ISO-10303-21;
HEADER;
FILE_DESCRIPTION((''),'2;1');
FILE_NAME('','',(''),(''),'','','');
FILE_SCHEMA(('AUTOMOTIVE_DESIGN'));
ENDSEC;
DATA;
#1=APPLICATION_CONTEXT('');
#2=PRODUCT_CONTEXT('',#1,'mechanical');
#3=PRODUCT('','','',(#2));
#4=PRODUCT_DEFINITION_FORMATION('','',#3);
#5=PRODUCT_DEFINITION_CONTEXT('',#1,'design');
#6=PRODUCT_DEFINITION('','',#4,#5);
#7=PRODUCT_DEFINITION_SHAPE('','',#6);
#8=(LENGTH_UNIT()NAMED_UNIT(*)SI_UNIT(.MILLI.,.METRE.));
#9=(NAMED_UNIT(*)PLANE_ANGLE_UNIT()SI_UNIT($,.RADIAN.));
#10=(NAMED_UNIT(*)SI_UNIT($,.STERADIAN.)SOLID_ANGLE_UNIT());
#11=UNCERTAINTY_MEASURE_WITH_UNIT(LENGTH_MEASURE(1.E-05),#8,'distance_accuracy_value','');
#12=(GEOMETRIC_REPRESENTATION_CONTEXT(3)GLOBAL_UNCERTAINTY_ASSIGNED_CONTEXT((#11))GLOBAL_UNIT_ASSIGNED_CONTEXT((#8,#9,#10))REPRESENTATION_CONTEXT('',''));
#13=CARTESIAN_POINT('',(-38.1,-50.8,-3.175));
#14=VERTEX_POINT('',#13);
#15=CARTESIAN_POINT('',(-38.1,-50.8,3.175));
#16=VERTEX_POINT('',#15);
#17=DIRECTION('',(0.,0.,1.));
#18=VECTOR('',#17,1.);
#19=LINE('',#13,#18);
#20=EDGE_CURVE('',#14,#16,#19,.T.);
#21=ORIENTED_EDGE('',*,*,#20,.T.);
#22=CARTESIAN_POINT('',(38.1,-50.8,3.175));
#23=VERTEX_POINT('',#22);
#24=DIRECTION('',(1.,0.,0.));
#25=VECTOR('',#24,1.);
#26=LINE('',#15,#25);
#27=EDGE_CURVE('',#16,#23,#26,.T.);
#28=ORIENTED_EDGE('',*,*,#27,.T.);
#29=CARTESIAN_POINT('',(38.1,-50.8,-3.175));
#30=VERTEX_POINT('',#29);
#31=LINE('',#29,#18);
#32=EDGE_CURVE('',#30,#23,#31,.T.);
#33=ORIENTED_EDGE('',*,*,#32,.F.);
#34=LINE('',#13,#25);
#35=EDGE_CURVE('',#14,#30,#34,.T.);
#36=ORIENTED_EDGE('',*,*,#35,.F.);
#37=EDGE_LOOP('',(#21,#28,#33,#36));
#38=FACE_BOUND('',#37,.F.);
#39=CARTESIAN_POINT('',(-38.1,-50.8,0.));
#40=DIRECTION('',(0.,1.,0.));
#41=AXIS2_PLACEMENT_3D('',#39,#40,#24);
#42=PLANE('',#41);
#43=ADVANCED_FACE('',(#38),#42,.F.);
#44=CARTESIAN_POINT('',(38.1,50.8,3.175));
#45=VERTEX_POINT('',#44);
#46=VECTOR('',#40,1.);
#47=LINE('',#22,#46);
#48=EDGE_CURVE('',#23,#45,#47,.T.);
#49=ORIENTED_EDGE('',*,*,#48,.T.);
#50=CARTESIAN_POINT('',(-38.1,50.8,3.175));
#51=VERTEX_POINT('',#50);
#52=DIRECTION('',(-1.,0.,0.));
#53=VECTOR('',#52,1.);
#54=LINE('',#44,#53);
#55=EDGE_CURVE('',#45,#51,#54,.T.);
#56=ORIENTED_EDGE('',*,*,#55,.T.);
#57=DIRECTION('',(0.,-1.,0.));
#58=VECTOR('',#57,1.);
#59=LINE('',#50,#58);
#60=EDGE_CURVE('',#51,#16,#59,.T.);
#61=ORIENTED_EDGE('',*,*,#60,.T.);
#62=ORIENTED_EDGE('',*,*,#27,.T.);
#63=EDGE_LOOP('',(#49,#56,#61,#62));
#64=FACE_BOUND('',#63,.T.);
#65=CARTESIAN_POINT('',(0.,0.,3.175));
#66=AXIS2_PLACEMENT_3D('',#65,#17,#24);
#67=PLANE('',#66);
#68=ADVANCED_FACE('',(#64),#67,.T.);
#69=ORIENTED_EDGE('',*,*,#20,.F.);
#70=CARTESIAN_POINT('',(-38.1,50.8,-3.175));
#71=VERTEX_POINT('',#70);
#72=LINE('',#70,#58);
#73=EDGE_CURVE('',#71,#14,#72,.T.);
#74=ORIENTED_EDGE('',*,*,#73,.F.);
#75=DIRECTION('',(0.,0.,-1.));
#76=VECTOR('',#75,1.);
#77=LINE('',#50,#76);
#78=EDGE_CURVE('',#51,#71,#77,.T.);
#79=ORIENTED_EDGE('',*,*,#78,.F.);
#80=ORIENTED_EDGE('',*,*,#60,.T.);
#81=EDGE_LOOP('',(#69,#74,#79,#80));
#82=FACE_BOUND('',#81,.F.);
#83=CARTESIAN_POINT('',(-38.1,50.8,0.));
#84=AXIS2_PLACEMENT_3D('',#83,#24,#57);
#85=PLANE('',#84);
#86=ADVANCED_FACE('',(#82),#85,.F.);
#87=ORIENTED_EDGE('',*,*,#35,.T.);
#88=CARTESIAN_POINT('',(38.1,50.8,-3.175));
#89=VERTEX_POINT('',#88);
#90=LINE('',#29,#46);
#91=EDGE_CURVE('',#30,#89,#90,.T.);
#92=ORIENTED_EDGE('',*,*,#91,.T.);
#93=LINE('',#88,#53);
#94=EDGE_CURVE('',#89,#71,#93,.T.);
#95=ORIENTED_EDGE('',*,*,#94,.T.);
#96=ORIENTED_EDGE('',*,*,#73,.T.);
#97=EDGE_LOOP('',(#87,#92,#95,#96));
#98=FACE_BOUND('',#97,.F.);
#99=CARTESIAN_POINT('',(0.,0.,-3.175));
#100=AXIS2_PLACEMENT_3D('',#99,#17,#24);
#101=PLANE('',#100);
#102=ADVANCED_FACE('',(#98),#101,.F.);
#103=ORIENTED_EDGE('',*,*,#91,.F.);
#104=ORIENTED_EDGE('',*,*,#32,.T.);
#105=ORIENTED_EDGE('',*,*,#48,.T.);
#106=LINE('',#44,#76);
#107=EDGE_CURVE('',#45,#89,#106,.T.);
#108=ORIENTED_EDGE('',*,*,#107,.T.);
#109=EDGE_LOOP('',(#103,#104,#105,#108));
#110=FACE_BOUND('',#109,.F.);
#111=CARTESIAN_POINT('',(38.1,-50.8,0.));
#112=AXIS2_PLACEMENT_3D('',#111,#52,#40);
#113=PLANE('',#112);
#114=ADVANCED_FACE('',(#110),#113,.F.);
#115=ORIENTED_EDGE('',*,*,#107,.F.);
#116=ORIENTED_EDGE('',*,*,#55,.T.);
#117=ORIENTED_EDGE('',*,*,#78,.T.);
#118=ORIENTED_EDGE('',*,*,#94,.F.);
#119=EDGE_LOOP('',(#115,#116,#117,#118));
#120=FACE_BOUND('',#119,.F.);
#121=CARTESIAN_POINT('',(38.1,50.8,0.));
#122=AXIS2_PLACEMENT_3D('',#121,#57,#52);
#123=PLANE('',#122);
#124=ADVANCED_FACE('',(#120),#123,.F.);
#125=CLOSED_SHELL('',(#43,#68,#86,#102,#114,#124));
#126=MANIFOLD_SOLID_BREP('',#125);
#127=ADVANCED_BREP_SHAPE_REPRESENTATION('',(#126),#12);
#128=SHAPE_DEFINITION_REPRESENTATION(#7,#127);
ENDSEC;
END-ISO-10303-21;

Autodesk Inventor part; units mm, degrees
ref_plane "YZ Plane" through (0, 0, 0) normal (1, 0, 0) x (0, 1, 0)
ref_plane "XZ Plane" through (0, 0, 0) normal (0, 1, 0) x (-1, 0, 0)
ref_plane "XY Plane" through (0, 0, 0) normal (0, 0, 1) x (1, 0, 0)
sketch "Sketch1" plane through (0, 0, 0) normal (0, 0, 1) x (1, 0, 0)
  line L0 (-38.1, -50.8) -> (38.1, -50.8)
  line L1 (38.1, -50.8) -> (38.1, 50.8)
  line L2 (38.1, 50.8) -> (-38.1, 50.8)
  line L3 (-38.1, 50.8) -> (-38.1, -50.8)
  line L4 (-38.1, -50.8) -> (38.1, 50.8) construction
  line L5 (38.1, -50.8) -> (-38.1, 50.8) construction
  point P0 (0, 0)
  dimension "width" = 76.2
  dimension "length" = 101.6
extrude "Extrusion1" add sketch "Sketch1" along normal mid plane 6.35
properties part number "BLOCK_PLATE" material "Aluminum 6061"
